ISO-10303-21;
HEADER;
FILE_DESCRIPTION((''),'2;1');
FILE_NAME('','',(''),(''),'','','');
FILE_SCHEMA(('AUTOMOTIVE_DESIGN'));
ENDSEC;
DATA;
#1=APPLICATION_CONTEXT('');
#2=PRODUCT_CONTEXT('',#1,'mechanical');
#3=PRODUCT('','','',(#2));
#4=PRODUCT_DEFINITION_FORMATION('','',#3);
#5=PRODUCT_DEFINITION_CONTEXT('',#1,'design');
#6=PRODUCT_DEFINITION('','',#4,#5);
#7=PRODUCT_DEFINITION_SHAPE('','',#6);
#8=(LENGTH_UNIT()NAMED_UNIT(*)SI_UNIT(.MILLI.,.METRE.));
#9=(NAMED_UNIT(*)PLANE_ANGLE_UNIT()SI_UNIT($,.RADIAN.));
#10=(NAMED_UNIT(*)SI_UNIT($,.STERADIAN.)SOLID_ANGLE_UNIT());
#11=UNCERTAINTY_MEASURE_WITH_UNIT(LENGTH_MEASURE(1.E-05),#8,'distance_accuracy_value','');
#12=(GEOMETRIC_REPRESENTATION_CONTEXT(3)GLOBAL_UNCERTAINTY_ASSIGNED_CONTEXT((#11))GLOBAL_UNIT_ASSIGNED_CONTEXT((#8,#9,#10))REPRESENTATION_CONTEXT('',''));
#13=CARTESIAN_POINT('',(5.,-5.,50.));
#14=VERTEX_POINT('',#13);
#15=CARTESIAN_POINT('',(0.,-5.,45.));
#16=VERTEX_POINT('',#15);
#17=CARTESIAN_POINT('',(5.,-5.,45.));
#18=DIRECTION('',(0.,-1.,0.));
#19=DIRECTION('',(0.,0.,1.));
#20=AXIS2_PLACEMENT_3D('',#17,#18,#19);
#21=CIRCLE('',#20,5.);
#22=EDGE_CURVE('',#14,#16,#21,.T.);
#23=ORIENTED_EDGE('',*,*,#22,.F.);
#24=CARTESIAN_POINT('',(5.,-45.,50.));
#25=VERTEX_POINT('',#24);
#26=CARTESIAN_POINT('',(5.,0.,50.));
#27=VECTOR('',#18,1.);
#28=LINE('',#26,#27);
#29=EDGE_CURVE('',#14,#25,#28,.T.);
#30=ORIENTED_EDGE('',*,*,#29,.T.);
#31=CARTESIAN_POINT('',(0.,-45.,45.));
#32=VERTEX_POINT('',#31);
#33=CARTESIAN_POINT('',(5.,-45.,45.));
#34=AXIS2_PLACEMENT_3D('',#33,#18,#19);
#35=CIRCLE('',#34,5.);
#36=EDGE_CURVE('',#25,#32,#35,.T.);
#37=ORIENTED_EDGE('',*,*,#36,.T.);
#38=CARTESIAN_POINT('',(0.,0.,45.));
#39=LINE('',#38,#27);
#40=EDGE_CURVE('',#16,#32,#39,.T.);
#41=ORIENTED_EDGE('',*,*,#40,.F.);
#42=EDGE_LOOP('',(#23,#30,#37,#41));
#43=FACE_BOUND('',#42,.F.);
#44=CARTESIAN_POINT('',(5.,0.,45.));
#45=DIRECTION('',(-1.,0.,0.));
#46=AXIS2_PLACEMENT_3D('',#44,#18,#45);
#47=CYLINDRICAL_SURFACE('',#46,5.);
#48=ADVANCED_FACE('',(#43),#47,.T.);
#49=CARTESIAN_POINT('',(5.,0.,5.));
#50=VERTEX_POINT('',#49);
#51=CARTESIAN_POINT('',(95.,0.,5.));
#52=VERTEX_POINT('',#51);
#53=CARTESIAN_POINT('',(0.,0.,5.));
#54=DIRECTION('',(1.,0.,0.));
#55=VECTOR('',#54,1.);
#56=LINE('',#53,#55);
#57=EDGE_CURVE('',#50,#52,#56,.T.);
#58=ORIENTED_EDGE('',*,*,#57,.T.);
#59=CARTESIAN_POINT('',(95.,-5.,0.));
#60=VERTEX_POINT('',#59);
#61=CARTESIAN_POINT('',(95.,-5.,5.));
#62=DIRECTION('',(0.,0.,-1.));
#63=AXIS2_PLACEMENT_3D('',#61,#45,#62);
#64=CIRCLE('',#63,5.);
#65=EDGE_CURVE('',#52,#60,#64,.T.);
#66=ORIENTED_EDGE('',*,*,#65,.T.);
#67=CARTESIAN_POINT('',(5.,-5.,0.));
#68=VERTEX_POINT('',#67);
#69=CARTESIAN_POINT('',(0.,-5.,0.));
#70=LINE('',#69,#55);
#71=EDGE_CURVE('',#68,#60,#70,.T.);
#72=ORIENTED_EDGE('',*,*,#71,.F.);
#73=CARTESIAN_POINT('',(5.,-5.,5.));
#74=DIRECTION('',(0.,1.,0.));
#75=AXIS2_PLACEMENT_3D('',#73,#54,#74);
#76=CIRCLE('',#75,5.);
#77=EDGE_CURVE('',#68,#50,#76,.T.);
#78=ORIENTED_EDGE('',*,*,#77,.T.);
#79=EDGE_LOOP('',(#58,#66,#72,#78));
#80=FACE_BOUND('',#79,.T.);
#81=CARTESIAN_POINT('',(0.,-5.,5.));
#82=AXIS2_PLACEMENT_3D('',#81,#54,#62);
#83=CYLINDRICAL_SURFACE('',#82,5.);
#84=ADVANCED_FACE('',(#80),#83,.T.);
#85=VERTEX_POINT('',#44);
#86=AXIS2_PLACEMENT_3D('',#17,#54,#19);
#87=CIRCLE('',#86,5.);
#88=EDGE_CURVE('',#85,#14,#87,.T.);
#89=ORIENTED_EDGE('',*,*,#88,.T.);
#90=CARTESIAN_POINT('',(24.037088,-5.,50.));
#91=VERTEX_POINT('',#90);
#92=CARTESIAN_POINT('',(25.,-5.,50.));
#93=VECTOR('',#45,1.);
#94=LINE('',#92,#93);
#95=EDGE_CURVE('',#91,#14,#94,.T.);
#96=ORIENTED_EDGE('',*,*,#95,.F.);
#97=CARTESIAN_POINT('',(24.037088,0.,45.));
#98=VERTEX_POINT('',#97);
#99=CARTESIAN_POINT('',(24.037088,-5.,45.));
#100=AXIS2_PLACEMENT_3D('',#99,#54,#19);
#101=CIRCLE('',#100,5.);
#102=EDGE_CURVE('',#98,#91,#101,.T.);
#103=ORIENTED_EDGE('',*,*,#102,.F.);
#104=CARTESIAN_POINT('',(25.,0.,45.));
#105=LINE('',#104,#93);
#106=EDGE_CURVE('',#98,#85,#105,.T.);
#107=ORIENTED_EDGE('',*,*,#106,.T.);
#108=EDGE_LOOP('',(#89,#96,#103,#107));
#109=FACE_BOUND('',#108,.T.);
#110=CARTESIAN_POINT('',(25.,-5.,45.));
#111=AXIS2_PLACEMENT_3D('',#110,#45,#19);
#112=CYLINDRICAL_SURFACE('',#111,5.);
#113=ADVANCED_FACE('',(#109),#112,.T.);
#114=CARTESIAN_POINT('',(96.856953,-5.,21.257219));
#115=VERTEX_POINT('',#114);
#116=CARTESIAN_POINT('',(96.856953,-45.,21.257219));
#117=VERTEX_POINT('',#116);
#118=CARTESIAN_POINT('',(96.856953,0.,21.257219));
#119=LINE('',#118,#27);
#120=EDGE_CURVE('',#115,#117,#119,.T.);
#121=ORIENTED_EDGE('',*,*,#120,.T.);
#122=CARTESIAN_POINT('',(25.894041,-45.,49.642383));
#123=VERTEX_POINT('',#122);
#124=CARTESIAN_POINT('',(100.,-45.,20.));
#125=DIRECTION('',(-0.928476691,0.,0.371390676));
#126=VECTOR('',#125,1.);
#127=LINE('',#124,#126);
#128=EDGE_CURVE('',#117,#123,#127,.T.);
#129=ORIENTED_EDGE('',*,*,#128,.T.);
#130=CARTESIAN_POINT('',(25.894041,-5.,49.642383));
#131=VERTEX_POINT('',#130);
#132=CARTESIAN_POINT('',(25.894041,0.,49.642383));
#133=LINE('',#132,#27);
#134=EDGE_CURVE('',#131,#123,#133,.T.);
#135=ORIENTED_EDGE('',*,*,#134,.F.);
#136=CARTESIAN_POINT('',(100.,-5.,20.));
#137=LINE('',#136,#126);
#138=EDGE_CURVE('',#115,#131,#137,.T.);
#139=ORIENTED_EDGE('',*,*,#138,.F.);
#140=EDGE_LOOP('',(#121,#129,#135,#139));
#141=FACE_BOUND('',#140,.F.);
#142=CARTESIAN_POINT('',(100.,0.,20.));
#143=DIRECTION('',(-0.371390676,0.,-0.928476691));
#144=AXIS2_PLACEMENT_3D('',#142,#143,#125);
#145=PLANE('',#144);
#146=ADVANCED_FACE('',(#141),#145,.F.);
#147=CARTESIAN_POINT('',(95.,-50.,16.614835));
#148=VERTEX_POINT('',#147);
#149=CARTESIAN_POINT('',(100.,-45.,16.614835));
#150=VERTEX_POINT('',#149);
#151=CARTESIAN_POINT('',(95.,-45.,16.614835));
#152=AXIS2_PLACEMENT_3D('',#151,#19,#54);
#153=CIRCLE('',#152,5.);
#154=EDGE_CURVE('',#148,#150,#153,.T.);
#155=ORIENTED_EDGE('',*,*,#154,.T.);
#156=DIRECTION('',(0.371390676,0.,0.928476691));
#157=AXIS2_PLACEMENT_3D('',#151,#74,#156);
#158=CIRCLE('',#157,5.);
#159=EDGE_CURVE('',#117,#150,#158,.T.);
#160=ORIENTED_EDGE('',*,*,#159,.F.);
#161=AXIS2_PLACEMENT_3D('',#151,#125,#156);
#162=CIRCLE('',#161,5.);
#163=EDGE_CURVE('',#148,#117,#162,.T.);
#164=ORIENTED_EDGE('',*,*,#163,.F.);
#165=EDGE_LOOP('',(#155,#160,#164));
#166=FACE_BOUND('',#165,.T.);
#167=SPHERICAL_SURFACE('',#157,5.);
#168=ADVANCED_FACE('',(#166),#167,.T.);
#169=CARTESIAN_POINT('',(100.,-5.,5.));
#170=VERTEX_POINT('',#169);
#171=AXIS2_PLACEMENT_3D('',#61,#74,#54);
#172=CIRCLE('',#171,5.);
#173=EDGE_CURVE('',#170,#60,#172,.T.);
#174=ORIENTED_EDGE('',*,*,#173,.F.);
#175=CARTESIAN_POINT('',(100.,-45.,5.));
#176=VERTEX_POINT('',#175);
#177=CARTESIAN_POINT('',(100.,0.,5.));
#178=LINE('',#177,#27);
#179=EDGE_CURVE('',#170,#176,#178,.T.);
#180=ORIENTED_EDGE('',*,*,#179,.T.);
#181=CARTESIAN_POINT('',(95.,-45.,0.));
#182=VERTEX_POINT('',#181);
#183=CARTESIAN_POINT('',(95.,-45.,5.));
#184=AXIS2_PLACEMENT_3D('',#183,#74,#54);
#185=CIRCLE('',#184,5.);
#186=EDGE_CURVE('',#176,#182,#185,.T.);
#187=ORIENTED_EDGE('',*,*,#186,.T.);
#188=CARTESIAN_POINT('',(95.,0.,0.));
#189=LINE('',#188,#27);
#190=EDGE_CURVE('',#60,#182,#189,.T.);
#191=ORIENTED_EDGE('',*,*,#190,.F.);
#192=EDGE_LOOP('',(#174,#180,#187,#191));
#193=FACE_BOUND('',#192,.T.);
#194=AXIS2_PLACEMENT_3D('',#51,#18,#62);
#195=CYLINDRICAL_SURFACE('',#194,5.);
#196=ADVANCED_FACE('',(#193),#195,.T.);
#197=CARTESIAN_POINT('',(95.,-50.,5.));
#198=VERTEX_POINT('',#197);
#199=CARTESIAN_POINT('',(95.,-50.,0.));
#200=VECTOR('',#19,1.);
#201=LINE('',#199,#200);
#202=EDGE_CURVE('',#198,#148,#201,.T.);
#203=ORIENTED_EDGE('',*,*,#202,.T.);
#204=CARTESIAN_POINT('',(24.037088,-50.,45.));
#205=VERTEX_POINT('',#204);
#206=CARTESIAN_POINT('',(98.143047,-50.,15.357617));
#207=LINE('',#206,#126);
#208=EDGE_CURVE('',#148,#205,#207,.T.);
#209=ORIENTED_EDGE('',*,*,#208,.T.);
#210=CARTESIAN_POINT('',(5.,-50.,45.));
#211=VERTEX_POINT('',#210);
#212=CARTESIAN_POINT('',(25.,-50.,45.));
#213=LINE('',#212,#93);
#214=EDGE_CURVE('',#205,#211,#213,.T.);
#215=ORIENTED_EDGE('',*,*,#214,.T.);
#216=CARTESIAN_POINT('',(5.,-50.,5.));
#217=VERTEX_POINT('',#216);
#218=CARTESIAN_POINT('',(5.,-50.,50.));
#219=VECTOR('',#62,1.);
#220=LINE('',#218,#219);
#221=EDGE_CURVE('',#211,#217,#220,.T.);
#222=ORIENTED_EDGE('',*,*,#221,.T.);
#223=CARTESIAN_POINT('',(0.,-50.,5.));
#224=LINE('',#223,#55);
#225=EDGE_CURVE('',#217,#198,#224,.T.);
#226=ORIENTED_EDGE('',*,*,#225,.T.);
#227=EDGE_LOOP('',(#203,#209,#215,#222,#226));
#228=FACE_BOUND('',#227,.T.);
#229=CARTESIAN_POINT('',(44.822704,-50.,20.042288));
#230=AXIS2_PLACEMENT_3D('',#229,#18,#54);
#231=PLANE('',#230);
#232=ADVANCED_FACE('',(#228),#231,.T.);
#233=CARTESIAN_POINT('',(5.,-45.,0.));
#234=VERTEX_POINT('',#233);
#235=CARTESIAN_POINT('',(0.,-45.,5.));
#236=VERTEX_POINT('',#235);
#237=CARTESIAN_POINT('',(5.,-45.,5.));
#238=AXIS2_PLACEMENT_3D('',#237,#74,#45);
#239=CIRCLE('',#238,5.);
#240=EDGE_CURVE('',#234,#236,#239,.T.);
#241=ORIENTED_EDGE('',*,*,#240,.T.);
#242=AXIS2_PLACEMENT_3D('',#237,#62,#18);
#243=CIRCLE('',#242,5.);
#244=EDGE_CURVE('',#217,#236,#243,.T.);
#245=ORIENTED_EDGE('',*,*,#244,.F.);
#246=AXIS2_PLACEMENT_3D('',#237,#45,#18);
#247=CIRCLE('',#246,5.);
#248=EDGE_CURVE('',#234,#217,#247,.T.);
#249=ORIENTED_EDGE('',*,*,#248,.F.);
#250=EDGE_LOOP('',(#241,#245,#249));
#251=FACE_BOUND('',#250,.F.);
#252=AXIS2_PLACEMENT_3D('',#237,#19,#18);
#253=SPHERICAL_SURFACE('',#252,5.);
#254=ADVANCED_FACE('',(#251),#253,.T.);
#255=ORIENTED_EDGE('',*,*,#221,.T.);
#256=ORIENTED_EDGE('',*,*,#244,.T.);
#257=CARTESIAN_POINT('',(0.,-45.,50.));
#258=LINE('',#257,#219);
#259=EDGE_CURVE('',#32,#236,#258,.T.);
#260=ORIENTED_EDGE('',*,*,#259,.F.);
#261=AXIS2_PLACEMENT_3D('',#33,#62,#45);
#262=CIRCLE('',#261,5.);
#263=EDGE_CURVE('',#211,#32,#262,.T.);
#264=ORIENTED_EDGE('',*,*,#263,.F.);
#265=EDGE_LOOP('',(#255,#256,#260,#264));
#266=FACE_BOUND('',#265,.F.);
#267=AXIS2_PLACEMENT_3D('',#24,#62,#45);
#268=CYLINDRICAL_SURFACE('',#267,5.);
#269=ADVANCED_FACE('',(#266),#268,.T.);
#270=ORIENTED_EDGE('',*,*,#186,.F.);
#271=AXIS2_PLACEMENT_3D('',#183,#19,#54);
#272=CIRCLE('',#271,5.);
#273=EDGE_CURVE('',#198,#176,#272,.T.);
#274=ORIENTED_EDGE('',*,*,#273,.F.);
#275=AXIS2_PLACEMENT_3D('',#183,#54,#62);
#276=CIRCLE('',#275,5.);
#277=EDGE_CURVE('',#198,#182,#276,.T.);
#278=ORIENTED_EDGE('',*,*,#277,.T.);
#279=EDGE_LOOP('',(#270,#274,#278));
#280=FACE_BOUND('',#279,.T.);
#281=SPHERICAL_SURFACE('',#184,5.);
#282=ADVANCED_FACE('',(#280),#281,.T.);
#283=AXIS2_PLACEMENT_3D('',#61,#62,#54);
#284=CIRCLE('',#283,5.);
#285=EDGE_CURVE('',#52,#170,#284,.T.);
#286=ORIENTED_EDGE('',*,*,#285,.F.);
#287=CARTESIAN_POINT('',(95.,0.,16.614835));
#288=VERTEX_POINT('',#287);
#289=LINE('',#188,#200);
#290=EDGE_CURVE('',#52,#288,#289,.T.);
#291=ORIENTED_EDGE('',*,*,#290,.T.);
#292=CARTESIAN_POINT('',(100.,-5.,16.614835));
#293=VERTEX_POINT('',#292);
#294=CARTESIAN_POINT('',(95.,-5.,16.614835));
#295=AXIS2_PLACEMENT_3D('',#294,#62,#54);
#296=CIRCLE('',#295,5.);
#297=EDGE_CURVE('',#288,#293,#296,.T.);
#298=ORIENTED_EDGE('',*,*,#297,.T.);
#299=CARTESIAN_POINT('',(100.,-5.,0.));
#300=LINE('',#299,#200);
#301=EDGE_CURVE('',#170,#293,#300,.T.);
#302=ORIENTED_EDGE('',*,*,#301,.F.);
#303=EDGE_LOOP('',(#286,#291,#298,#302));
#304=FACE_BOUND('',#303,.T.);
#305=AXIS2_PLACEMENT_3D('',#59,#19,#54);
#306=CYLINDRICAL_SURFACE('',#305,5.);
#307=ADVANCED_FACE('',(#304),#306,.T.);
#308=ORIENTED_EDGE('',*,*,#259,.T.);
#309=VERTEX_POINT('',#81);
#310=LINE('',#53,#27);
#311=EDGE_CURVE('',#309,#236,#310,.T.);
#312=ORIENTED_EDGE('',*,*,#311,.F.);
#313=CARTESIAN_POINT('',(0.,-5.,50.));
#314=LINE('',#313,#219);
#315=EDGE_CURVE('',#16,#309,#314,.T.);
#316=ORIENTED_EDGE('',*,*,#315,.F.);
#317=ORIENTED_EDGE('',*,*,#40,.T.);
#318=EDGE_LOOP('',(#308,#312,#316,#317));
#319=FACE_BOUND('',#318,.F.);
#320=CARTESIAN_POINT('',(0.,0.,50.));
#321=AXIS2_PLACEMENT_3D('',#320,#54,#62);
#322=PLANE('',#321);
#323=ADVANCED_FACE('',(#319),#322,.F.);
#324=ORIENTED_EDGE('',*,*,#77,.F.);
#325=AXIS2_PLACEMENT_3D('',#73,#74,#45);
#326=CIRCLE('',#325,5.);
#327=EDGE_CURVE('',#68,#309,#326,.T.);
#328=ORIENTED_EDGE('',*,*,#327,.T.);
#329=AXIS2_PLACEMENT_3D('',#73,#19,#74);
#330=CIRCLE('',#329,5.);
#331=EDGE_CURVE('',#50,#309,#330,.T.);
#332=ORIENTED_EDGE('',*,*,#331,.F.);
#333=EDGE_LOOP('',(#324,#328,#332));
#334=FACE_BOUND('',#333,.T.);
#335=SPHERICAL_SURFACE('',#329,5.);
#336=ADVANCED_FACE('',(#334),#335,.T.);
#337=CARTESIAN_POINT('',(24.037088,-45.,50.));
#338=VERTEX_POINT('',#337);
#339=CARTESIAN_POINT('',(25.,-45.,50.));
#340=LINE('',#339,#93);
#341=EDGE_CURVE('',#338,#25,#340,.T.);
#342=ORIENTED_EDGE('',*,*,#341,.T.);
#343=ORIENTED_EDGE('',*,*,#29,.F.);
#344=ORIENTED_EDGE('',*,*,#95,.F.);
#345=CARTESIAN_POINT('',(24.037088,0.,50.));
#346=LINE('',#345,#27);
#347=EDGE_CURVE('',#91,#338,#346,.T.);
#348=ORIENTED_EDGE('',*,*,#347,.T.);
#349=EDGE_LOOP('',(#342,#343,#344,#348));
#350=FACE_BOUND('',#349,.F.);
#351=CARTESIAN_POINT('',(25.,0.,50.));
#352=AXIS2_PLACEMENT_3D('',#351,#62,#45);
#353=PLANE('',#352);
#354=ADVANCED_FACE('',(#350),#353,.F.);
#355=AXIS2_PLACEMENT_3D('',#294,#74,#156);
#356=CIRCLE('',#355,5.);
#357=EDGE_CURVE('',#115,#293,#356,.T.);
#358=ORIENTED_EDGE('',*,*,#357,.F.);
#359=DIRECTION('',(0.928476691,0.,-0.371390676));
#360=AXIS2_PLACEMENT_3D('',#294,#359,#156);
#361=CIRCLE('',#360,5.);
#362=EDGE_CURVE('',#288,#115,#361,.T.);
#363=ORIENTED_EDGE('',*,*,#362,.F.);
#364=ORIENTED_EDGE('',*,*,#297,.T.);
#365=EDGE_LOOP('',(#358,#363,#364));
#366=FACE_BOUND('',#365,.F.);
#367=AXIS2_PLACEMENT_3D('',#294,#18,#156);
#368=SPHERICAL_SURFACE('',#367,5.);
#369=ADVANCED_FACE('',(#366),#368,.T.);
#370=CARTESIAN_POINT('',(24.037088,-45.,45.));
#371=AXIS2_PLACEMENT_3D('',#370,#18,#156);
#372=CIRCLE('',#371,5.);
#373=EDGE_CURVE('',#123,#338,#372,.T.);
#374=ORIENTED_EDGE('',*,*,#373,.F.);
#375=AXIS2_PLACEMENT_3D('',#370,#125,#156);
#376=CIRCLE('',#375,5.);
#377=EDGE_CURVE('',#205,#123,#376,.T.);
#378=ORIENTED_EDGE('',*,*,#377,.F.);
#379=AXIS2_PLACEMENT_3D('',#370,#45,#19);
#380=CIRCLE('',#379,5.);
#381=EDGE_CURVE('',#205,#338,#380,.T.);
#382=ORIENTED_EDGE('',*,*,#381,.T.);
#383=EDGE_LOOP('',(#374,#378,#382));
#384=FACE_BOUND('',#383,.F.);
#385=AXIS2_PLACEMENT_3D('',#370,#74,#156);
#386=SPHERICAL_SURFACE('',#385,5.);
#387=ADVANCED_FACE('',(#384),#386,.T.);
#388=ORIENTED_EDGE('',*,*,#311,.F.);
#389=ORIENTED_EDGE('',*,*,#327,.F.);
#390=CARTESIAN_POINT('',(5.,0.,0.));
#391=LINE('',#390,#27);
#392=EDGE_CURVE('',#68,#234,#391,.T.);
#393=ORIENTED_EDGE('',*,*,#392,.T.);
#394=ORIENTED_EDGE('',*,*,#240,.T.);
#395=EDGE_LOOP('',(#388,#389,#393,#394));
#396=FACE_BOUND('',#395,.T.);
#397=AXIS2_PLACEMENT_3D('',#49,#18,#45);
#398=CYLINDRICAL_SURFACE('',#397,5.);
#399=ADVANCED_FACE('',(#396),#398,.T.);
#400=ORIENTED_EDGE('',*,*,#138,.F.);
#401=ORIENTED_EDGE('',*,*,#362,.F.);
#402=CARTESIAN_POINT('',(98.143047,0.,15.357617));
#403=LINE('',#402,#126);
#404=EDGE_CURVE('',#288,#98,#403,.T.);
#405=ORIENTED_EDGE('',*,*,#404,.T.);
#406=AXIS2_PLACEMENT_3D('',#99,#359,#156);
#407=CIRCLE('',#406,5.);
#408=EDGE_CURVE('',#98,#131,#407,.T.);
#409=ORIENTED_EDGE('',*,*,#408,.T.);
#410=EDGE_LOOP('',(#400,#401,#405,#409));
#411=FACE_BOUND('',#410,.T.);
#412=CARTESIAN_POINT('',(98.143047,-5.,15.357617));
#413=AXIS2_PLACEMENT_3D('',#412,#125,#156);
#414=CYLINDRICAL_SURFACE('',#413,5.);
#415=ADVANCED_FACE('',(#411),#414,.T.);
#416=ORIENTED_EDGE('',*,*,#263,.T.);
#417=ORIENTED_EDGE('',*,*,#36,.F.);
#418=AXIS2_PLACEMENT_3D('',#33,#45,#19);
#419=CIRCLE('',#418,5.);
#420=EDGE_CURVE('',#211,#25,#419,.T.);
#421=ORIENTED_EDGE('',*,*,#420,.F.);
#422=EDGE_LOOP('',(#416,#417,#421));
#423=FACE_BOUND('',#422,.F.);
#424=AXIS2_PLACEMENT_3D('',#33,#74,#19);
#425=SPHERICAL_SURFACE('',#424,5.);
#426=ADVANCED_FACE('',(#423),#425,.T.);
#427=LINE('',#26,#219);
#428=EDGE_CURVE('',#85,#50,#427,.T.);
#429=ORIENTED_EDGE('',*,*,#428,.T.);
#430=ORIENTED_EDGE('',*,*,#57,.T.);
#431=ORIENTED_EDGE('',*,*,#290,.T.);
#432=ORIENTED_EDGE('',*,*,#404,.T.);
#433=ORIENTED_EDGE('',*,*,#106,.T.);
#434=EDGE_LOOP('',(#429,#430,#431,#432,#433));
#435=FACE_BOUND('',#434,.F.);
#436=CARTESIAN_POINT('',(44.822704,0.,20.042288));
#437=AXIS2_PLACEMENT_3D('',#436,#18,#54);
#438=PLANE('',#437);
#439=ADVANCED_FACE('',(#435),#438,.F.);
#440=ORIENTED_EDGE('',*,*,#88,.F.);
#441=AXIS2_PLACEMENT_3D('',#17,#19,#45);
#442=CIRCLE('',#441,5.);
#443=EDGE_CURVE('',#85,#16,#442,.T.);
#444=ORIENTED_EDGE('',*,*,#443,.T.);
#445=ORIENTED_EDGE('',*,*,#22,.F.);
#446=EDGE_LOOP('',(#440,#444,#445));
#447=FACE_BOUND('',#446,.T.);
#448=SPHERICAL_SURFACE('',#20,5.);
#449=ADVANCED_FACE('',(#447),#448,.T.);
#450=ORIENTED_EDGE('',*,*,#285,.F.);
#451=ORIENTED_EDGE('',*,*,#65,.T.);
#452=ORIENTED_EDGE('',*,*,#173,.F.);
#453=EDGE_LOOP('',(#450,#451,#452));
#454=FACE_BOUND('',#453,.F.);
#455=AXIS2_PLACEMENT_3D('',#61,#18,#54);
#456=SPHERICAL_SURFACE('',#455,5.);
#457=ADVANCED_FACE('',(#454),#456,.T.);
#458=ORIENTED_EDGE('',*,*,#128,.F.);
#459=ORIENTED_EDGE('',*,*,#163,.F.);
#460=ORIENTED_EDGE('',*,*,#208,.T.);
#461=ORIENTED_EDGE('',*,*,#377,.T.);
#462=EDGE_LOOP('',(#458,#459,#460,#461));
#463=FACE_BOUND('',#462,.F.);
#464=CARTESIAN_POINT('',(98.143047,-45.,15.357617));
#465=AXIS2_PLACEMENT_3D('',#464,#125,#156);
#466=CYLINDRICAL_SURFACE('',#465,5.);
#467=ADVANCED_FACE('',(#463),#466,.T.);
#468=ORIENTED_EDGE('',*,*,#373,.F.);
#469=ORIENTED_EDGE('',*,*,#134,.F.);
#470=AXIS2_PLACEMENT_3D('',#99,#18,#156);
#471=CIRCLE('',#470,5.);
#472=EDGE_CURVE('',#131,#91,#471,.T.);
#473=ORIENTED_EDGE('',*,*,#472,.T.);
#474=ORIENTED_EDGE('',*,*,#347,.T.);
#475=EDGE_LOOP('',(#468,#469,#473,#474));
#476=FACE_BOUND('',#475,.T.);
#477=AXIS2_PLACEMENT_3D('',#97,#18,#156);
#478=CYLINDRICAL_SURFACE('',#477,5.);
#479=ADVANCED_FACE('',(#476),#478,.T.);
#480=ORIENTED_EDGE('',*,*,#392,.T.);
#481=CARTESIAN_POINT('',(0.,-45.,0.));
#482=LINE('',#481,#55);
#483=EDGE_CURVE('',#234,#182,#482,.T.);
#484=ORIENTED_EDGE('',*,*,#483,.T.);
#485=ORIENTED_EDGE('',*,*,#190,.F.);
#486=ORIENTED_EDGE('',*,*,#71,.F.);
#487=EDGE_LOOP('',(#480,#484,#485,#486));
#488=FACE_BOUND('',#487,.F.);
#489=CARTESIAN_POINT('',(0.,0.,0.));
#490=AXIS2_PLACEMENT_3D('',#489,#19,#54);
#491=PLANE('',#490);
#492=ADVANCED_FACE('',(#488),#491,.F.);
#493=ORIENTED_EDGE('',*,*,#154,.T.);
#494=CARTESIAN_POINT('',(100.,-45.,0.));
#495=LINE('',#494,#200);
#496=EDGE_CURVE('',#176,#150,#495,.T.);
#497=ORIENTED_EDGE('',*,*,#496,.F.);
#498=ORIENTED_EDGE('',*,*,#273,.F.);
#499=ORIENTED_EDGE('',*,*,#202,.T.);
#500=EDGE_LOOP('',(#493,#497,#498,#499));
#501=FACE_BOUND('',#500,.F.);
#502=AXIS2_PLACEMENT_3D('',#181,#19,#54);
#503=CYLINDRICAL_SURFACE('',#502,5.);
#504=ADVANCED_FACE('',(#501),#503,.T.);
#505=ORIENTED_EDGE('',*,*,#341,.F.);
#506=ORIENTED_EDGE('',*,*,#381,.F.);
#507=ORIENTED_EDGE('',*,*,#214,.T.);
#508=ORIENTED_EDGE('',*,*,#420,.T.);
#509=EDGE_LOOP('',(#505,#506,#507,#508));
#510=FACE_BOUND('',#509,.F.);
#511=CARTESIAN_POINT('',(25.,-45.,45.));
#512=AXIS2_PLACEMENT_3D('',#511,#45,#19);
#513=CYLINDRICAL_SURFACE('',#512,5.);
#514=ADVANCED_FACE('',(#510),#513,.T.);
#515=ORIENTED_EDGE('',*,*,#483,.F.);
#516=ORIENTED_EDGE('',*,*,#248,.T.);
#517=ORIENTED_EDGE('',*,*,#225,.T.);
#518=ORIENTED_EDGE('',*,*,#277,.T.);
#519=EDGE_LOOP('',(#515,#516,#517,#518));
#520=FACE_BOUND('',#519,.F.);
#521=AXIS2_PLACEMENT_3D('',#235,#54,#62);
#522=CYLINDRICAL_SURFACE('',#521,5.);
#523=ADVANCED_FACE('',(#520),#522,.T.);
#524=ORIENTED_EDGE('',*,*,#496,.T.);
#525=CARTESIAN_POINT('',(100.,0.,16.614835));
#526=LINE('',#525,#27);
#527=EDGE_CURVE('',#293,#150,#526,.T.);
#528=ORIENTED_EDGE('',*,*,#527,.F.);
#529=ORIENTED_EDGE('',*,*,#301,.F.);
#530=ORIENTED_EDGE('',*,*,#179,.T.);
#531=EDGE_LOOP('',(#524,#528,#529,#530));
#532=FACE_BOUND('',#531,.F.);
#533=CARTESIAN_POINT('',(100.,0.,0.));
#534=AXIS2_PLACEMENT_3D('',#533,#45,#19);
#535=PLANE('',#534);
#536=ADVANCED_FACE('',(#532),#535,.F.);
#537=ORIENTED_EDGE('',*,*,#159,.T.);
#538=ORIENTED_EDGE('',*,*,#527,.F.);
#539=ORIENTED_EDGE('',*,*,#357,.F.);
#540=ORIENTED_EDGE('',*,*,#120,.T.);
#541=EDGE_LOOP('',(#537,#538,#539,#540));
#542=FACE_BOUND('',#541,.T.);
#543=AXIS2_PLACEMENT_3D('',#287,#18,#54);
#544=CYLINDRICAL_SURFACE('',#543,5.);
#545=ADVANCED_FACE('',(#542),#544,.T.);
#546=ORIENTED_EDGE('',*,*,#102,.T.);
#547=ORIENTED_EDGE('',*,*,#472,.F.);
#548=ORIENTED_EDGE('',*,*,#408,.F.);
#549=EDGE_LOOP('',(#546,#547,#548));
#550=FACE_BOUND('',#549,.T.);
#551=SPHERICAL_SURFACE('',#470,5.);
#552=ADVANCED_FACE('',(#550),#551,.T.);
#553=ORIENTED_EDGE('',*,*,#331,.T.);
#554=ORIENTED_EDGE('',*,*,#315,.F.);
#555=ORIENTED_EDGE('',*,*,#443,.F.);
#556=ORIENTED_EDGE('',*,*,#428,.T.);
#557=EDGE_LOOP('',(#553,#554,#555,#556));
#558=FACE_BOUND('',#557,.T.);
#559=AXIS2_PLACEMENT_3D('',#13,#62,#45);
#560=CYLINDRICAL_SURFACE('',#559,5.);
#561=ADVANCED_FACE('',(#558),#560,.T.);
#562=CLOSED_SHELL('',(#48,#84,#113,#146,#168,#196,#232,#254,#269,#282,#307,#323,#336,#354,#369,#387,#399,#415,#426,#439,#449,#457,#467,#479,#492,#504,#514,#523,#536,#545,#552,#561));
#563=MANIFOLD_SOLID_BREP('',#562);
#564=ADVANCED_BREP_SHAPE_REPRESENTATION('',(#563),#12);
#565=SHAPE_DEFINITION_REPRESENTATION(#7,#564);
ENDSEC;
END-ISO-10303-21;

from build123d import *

# Parameters (mm, degrees)
F1_DEPTH = 50
F2_R     = 5


with BuildPart() as f1:
    # F0 (on Front) → F1 (new body)
    with BuildSketch(Plane.XZ):
        Polygon((0, 50), (0, 0), (100, 0), (100, 20), (25, 50), align=None)
    extrude(amount=F1_DEPTH)

    # F2
    f2_edges = [f1.edges().sort_by_distance(p)[0] for p in [
        (100, -25, 20),
        (25, -25, 50),
        (62.5, 0, 35),
        (62.5, -50, 35),
        (0, -25, 50),
        (12.5, 0, 50),
        (12.5, -50, 50),
        (100, -25, 0),
        (100, 0, 10),
        (100, -50, 10),
        (0, 0, 25),
        (50, 0, 0),
        (0, -50, 25),
        (50, -50, 0),
        (0, -25, 0),
    ]]
    fillet(f2_edges, radius=F2_R)


solid = f1.part
